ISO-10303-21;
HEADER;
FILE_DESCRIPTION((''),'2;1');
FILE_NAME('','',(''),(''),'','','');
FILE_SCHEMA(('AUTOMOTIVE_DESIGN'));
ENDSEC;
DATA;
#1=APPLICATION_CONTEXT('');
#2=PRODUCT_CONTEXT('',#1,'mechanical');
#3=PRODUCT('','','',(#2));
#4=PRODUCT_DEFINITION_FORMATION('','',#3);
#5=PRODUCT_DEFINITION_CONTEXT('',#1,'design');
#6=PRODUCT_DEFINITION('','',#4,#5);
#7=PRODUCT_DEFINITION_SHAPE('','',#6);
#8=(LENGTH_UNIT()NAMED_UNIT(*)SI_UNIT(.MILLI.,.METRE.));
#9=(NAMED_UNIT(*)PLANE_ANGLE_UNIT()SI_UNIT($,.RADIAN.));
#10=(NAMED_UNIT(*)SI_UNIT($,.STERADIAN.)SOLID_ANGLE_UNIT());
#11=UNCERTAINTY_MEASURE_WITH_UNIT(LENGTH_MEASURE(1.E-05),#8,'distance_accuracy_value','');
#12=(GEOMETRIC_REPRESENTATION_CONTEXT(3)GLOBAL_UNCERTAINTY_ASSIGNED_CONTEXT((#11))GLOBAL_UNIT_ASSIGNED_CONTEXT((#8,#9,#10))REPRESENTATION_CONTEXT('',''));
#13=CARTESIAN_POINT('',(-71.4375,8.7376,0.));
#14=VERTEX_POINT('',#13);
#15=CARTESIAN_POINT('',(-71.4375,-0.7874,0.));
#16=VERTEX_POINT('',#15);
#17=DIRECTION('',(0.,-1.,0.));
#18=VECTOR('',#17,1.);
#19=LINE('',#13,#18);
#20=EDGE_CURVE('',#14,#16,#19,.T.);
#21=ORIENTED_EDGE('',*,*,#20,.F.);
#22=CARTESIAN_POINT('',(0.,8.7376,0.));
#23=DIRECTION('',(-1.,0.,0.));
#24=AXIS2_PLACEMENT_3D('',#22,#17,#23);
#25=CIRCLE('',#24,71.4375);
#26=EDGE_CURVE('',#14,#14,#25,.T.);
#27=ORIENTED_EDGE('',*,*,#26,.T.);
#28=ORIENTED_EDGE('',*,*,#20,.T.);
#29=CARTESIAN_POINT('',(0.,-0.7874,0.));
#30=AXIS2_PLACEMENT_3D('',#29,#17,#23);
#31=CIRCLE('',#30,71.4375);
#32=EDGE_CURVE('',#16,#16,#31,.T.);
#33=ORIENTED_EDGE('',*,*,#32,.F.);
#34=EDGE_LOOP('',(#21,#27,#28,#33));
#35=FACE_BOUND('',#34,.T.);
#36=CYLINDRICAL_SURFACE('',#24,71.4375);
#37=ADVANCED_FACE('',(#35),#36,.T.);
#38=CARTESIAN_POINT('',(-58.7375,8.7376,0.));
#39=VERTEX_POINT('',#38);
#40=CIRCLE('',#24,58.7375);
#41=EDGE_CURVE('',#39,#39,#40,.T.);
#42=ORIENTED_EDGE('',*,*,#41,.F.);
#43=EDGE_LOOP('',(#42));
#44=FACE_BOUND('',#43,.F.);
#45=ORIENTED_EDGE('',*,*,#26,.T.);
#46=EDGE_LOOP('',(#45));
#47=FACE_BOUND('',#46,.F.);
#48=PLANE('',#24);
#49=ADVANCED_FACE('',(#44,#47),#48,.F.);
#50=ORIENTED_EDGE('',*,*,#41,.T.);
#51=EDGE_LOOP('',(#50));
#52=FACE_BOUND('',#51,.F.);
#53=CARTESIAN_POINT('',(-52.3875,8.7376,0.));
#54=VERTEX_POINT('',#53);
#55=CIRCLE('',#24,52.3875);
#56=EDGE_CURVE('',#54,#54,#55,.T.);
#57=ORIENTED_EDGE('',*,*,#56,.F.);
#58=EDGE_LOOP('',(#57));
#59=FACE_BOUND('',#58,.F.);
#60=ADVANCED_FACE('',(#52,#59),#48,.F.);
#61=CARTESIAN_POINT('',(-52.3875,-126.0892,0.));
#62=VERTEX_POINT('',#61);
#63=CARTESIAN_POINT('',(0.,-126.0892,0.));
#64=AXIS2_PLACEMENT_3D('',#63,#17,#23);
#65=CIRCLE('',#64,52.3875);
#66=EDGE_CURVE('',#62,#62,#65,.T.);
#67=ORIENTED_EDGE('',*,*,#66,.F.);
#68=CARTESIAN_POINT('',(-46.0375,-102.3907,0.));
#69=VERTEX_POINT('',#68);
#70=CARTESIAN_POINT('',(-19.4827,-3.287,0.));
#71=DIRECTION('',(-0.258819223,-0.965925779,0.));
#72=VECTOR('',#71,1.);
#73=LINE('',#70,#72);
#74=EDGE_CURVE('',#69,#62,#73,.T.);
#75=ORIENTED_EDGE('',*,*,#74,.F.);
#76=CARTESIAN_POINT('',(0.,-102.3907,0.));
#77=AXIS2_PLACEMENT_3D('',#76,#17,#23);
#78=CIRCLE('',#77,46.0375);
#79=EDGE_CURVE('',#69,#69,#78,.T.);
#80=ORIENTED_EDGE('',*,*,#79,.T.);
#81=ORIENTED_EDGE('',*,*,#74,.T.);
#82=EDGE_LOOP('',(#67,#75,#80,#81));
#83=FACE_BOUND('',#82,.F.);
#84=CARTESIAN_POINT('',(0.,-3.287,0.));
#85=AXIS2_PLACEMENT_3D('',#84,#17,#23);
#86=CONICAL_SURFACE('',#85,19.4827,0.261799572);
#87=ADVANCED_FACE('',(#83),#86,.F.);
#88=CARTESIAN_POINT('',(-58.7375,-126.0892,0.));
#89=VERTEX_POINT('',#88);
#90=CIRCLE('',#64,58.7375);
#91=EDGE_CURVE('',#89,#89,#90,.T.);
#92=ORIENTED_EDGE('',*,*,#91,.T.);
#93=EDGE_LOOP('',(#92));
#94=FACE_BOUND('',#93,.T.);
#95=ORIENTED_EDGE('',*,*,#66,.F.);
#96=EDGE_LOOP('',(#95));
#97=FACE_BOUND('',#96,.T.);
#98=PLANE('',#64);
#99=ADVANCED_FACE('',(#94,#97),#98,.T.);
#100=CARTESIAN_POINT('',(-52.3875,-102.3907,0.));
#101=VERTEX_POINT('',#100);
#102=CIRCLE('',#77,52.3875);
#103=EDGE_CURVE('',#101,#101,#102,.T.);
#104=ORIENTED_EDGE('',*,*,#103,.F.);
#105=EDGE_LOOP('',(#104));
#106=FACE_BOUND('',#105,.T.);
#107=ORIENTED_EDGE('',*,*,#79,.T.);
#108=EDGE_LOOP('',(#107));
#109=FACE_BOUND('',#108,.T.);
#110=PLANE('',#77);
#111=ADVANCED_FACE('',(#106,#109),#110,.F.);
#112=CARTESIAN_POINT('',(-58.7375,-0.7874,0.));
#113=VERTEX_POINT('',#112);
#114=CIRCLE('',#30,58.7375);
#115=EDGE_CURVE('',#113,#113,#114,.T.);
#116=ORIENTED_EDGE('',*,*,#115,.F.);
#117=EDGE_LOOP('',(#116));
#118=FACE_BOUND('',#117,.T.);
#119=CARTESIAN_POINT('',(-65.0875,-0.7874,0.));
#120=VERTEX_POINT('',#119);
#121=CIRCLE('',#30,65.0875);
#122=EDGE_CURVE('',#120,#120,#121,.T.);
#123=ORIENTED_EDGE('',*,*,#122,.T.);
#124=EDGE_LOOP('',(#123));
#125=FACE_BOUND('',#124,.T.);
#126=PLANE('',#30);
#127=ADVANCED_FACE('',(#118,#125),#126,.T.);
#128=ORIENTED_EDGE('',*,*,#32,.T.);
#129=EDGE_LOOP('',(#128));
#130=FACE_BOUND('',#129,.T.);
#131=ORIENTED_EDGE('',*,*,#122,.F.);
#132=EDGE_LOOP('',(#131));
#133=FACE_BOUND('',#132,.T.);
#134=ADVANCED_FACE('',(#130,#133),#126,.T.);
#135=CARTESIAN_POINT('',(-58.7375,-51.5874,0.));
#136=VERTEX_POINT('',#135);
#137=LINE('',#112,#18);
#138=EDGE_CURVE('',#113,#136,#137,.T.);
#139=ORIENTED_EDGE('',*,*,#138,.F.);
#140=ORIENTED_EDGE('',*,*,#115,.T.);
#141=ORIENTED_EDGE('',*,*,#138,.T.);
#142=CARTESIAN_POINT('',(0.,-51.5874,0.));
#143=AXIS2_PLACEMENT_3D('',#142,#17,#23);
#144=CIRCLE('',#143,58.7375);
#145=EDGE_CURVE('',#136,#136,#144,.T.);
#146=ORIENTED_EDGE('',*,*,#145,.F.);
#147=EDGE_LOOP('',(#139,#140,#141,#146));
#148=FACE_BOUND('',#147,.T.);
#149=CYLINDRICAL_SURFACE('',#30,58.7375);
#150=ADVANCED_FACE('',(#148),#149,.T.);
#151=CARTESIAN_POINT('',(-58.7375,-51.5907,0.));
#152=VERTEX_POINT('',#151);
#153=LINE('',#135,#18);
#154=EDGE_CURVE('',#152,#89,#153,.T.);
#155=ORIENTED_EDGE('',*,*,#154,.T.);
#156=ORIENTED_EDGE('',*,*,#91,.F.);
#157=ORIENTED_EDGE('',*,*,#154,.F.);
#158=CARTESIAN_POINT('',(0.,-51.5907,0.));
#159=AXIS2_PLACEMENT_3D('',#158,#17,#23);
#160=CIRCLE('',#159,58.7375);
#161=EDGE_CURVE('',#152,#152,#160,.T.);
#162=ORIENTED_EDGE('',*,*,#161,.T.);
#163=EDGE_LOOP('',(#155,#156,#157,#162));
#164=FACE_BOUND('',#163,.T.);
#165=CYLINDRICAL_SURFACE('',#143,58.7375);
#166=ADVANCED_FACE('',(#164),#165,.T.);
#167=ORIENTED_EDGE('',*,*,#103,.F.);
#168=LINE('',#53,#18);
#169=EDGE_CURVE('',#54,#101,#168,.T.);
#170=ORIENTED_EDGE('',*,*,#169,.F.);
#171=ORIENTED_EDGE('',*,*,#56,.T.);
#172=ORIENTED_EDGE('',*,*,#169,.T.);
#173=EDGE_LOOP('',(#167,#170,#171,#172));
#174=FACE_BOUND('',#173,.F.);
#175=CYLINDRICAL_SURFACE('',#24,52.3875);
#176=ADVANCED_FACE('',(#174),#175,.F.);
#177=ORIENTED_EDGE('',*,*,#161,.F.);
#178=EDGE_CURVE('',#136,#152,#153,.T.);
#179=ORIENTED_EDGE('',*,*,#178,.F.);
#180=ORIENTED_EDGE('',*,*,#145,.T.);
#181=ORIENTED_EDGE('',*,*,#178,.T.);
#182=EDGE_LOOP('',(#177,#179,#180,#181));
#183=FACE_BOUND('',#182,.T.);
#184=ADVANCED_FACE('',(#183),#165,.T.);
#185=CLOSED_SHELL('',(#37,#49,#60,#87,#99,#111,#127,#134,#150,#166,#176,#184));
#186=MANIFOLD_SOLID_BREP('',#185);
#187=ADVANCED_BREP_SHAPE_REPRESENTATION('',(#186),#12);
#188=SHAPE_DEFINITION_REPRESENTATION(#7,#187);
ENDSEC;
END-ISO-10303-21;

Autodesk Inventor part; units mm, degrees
ref_plane "YZ Plane" through (0, 0, 0) normal (1, 0, 0) x (0, 1, 0)
ref_plane "XZ Plane" through (0, 0, 0) normal (0, 1, 0) x (-1, 0, 0)
ref_plane "XY Plane" through (0, 0, 0) normal (0, 0, 1) x (1, 0, 0)
sketch "Sketch1" plane through (0, 0, 0) normal (0, 0, 1) x (1, 0, 0)
  arc A0 (-19.4827, -3.287) -> (-19.05, 0) centre (-31.75, 0) ccw
  line L0 (-19.4827, -3.287) -> (-58.7375, -149.7878)
  line L1 (-65.8876, 46.8376) -> (-65.8876, 21.4376)
  line L2 (-65.8876, 21.4376) -> (-71.4375, 21.4376)
  arc A1 (-19.05, 0) -> (-65.8876, 46.8376) centre (-65.8876, 0) ccw
  line L3 (-44.45, 34.1376) -> (-33.8192, 34.1376)
  line L4 (-44.45, 34.1376) -> (-37.3992, -46.4536)
  line L5 (-44.45, 34.1376) -> (0, 34.1376) construction
  line L6 (-37.3992, -46.4536) -> (-31.0492, -46.4536)
  line L7 (-71.4375, 21.4376) -> (-71.4375, 8.7376)
  line L8 (-71.4375, 8.7376) -> (-58.7375, 8.7376)
  line L9 (-58.7375, 8.7376) -> (-52.3875, 8.7376)
  line L10 (-52.3875, 8.7376) -> (-52.3875, -102.3907)
  line L11 (-71.4375, 8.7376) -> (-71.4375, -0.7874)
  line L12 (-71.4375, 8.7376) -> (-61.9125, 8.7376) construction
  line L13 (-71.4375, -0.7874) -> (-58.7375, -0.7874)
  line L14 (-58.7375, -0.7874) -> (-58.7375, -51.5874)
  line L15 (-58.7375, -51.5874) -> (-71.4375, -51.5874)
  line L16 (-71.4375, -0.7874) -> (-65.0875, -0.7874)
  line L17 (-65.0875, -0.7874) -> (-65.0875, -6.731)
  line L18 (-65.0875, -6.731) -> (-71.4375, -6.731)
  line L19 (-71.4375, 21.4376) -> (-71.4375, -0.7874)
  line L20 (-71.4375, -6.731) -> (-71.4375, -51.5874)
  line L21 (-58.7375, -51.5874) -> (-58.7375, -126.0892)
  line L22 (-58.7375, -51.5874) -> (0, -51.5874) construction
  line L23 (-46.0375, -102.3907) -> (-52.3875, -102.3907)
  line L24 (-65.0875, -51.5907) -> (-58.7375, -51.5907)
  line L25 (-58.7375, -149.7878) -> (-61.9125, -161.637)
  line L26 (-58.7375, -149.7878) -> (-34.203, -149.7878) construction
  line L27 (-65.0875, -161.637) -> (-61.9125, -161.637)
  line L28 (-58.7375, -126.0892) -> (-52.3875, -126.0892)
  line L29 (0, 34.1376) -> (0, 0)
  line L30 (-65.0875, -100.6892) -> (-65.0875, -161.637)
  line L31 (-58.7375, -51.5907) -> (-61.9125, -51.5907)
  line L32 (-61.9125, -51.5907) -> (-65.0875, -100.6892)
  dimension "d0" = 19.05
  dimension "d1" = 25.4
  dimension "d2" = 5.5499
  dimension "d3" = 65.8876
  dimension "d4" = 85
  dimension "d5" = 12.7
  dimension "d6" = 46.8376
  dimension "d7" = 12.7
  dimension "d8" = 44.45
  dimension "d9" = 6.35
  dimension "d10" = 105
  dimension "d11" = 12.7
  dimension "d12" = 12.7
  dimension "d13" = 6.35
  dimension "d14" = 9.525
  dimension "d15" = 50.8
  dimension "d16" = 12.7
  dimension "d17" = 6.35
  dimension "d18" = 5.9436
  dimension "d19" = 6.35
  dimension "d20" = 50.8
  dimension "d21" = 6.35
  dimension "d22" = 105
  dimension "d23" = 3.175
  dimension "d24" = 6.35
  dimension "d25" = 60.9478
  dimension "d26" = 3.175
  dimension "d27" = 6.35
revolve "Revolution1" add sketch "Sketch1" angle 360 about axis through (0, 34.1376, 0) along (0, -1, 0) contours L0 L28 L21 L14 L13 L11 L8 L9 L10 L23
properties part number "Aluminum Carrier" material "Aluminum 6061"
